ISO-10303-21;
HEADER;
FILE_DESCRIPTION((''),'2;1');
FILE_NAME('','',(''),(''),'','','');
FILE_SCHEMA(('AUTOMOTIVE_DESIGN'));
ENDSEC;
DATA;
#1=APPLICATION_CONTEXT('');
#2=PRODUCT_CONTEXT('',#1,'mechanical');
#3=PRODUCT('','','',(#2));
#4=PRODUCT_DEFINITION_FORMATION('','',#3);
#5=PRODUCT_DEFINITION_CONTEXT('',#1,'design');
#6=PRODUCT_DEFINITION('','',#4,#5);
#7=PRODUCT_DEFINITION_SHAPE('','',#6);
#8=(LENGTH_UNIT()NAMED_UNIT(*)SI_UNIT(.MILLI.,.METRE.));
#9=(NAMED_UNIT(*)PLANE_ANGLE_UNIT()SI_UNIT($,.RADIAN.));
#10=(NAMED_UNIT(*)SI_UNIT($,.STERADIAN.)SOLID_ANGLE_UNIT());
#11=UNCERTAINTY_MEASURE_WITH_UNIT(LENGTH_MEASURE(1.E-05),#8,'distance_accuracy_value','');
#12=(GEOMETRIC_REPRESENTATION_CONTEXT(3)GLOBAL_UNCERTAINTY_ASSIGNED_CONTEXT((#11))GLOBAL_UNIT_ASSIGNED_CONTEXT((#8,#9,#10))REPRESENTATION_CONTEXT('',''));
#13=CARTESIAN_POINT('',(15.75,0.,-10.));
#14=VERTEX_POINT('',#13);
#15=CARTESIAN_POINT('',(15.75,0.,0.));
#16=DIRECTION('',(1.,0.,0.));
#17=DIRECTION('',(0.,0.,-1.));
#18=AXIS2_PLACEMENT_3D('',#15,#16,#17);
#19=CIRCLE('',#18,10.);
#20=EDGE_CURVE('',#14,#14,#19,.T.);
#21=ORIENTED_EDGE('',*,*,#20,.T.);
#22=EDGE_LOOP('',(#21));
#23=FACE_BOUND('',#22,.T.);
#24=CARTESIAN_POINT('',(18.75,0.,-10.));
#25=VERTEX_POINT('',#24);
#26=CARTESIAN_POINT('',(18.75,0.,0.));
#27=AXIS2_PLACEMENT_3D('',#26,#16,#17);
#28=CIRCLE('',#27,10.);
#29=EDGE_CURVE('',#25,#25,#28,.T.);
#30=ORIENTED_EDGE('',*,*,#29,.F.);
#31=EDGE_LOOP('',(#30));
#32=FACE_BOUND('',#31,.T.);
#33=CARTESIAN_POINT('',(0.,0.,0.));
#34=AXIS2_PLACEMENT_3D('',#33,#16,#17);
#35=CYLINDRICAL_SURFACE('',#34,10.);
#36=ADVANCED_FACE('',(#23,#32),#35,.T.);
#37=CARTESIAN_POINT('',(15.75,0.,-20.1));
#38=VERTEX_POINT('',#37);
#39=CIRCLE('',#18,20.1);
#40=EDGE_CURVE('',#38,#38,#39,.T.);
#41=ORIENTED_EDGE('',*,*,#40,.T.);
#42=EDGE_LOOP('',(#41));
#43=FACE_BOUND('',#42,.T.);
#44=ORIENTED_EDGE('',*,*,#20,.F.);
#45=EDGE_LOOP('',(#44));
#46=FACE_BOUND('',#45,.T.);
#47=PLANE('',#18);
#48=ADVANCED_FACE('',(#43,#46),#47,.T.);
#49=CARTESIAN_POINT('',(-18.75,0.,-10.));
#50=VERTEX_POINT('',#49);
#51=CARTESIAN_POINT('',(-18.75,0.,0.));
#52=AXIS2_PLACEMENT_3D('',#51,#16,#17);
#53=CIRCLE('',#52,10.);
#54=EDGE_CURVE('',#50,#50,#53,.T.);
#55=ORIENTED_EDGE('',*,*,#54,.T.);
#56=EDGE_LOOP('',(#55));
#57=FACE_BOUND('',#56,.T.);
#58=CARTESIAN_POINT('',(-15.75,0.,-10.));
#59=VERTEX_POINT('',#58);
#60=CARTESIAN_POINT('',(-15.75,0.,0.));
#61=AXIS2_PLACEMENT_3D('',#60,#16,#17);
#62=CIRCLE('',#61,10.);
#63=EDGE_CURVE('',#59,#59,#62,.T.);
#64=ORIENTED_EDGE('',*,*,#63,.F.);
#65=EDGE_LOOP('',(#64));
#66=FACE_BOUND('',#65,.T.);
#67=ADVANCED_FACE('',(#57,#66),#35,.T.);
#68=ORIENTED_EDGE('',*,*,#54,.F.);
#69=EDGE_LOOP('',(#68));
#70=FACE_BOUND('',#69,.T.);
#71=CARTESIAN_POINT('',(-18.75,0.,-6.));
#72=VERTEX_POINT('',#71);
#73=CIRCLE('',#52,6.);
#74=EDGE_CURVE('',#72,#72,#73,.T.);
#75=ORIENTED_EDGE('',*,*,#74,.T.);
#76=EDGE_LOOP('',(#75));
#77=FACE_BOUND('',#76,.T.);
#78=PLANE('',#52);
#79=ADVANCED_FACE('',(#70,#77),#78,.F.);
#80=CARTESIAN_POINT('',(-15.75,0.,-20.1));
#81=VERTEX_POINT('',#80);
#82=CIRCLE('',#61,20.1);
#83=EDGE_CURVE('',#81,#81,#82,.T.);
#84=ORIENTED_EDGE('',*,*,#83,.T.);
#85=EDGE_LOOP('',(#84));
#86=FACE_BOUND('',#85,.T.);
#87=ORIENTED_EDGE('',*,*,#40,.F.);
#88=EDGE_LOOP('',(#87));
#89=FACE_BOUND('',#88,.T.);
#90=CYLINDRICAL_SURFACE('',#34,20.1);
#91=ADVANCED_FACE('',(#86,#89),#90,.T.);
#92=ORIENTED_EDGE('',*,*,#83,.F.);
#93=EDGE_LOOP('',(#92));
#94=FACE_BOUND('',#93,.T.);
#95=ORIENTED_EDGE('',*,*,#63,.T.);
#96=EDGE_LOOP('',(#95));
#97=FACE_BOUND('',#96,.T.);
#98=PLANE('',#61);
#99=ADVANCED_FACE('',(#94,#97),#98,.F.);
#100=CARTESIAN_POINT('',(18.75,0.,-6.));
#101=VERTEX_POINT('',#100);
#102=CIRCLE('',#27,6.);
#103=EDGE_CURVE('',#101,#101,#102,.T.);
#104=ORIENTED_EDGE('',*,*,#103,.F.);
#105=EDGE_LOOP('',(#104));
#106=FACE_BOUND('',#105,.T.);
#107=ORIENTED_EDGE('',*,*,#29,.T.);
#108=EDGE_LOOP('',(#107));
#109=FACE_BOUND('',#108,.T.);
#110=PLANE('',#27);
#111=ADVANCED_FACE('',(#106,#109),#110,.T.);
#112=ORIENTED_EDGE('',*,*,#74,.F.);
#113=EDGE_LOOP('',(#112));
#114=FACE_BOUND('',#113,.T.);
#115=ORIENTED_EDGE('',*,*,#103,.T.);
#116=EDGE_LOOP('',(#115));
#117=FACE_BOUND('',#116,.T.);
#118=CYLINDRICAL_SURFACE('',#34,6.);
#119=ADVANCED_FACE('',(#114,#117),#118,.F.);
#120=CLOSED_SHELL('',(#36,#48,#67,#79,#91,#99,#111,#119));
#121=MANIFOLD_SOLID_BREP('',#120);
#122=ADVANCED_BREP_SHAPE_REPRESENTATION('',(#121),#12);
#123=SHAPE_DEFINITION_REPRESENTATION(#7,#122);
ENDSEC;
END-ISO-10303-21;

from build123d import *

# Parameters (mm, degrees)
SZKIC1_W   = 31.5
SZKIC1_H   = 14.1
SZKIC1_W_2 = 3
SZKIC1_H_2 = 4


with BuildPart() as part:
    # Szkic1 → Obrót1 (revolve)
    with BuildSketch(Plane.XY, mode=Mode.PRIVATE) as obr_t1_sk:
        with Locations((0, 13.05)):
            Rectangle(SZKIC1_W, SZKIC1_H)
        with Locations((-17.25, 8)):
            Rectangle(SZKIC1_W_2, SZKIC1_H_2)
        with Locations((17.25, 8)):
            Rectangle(SZKIC1_W_2, SZKIC1_H_2)
    revolve(obr_t1_sk.sketch.rotate(Axis((0, 0, 0), (-1, 0, 0)), 90), axis=Axis((0, 0, 0), (-1, 0, 0)))


solid = part.part
